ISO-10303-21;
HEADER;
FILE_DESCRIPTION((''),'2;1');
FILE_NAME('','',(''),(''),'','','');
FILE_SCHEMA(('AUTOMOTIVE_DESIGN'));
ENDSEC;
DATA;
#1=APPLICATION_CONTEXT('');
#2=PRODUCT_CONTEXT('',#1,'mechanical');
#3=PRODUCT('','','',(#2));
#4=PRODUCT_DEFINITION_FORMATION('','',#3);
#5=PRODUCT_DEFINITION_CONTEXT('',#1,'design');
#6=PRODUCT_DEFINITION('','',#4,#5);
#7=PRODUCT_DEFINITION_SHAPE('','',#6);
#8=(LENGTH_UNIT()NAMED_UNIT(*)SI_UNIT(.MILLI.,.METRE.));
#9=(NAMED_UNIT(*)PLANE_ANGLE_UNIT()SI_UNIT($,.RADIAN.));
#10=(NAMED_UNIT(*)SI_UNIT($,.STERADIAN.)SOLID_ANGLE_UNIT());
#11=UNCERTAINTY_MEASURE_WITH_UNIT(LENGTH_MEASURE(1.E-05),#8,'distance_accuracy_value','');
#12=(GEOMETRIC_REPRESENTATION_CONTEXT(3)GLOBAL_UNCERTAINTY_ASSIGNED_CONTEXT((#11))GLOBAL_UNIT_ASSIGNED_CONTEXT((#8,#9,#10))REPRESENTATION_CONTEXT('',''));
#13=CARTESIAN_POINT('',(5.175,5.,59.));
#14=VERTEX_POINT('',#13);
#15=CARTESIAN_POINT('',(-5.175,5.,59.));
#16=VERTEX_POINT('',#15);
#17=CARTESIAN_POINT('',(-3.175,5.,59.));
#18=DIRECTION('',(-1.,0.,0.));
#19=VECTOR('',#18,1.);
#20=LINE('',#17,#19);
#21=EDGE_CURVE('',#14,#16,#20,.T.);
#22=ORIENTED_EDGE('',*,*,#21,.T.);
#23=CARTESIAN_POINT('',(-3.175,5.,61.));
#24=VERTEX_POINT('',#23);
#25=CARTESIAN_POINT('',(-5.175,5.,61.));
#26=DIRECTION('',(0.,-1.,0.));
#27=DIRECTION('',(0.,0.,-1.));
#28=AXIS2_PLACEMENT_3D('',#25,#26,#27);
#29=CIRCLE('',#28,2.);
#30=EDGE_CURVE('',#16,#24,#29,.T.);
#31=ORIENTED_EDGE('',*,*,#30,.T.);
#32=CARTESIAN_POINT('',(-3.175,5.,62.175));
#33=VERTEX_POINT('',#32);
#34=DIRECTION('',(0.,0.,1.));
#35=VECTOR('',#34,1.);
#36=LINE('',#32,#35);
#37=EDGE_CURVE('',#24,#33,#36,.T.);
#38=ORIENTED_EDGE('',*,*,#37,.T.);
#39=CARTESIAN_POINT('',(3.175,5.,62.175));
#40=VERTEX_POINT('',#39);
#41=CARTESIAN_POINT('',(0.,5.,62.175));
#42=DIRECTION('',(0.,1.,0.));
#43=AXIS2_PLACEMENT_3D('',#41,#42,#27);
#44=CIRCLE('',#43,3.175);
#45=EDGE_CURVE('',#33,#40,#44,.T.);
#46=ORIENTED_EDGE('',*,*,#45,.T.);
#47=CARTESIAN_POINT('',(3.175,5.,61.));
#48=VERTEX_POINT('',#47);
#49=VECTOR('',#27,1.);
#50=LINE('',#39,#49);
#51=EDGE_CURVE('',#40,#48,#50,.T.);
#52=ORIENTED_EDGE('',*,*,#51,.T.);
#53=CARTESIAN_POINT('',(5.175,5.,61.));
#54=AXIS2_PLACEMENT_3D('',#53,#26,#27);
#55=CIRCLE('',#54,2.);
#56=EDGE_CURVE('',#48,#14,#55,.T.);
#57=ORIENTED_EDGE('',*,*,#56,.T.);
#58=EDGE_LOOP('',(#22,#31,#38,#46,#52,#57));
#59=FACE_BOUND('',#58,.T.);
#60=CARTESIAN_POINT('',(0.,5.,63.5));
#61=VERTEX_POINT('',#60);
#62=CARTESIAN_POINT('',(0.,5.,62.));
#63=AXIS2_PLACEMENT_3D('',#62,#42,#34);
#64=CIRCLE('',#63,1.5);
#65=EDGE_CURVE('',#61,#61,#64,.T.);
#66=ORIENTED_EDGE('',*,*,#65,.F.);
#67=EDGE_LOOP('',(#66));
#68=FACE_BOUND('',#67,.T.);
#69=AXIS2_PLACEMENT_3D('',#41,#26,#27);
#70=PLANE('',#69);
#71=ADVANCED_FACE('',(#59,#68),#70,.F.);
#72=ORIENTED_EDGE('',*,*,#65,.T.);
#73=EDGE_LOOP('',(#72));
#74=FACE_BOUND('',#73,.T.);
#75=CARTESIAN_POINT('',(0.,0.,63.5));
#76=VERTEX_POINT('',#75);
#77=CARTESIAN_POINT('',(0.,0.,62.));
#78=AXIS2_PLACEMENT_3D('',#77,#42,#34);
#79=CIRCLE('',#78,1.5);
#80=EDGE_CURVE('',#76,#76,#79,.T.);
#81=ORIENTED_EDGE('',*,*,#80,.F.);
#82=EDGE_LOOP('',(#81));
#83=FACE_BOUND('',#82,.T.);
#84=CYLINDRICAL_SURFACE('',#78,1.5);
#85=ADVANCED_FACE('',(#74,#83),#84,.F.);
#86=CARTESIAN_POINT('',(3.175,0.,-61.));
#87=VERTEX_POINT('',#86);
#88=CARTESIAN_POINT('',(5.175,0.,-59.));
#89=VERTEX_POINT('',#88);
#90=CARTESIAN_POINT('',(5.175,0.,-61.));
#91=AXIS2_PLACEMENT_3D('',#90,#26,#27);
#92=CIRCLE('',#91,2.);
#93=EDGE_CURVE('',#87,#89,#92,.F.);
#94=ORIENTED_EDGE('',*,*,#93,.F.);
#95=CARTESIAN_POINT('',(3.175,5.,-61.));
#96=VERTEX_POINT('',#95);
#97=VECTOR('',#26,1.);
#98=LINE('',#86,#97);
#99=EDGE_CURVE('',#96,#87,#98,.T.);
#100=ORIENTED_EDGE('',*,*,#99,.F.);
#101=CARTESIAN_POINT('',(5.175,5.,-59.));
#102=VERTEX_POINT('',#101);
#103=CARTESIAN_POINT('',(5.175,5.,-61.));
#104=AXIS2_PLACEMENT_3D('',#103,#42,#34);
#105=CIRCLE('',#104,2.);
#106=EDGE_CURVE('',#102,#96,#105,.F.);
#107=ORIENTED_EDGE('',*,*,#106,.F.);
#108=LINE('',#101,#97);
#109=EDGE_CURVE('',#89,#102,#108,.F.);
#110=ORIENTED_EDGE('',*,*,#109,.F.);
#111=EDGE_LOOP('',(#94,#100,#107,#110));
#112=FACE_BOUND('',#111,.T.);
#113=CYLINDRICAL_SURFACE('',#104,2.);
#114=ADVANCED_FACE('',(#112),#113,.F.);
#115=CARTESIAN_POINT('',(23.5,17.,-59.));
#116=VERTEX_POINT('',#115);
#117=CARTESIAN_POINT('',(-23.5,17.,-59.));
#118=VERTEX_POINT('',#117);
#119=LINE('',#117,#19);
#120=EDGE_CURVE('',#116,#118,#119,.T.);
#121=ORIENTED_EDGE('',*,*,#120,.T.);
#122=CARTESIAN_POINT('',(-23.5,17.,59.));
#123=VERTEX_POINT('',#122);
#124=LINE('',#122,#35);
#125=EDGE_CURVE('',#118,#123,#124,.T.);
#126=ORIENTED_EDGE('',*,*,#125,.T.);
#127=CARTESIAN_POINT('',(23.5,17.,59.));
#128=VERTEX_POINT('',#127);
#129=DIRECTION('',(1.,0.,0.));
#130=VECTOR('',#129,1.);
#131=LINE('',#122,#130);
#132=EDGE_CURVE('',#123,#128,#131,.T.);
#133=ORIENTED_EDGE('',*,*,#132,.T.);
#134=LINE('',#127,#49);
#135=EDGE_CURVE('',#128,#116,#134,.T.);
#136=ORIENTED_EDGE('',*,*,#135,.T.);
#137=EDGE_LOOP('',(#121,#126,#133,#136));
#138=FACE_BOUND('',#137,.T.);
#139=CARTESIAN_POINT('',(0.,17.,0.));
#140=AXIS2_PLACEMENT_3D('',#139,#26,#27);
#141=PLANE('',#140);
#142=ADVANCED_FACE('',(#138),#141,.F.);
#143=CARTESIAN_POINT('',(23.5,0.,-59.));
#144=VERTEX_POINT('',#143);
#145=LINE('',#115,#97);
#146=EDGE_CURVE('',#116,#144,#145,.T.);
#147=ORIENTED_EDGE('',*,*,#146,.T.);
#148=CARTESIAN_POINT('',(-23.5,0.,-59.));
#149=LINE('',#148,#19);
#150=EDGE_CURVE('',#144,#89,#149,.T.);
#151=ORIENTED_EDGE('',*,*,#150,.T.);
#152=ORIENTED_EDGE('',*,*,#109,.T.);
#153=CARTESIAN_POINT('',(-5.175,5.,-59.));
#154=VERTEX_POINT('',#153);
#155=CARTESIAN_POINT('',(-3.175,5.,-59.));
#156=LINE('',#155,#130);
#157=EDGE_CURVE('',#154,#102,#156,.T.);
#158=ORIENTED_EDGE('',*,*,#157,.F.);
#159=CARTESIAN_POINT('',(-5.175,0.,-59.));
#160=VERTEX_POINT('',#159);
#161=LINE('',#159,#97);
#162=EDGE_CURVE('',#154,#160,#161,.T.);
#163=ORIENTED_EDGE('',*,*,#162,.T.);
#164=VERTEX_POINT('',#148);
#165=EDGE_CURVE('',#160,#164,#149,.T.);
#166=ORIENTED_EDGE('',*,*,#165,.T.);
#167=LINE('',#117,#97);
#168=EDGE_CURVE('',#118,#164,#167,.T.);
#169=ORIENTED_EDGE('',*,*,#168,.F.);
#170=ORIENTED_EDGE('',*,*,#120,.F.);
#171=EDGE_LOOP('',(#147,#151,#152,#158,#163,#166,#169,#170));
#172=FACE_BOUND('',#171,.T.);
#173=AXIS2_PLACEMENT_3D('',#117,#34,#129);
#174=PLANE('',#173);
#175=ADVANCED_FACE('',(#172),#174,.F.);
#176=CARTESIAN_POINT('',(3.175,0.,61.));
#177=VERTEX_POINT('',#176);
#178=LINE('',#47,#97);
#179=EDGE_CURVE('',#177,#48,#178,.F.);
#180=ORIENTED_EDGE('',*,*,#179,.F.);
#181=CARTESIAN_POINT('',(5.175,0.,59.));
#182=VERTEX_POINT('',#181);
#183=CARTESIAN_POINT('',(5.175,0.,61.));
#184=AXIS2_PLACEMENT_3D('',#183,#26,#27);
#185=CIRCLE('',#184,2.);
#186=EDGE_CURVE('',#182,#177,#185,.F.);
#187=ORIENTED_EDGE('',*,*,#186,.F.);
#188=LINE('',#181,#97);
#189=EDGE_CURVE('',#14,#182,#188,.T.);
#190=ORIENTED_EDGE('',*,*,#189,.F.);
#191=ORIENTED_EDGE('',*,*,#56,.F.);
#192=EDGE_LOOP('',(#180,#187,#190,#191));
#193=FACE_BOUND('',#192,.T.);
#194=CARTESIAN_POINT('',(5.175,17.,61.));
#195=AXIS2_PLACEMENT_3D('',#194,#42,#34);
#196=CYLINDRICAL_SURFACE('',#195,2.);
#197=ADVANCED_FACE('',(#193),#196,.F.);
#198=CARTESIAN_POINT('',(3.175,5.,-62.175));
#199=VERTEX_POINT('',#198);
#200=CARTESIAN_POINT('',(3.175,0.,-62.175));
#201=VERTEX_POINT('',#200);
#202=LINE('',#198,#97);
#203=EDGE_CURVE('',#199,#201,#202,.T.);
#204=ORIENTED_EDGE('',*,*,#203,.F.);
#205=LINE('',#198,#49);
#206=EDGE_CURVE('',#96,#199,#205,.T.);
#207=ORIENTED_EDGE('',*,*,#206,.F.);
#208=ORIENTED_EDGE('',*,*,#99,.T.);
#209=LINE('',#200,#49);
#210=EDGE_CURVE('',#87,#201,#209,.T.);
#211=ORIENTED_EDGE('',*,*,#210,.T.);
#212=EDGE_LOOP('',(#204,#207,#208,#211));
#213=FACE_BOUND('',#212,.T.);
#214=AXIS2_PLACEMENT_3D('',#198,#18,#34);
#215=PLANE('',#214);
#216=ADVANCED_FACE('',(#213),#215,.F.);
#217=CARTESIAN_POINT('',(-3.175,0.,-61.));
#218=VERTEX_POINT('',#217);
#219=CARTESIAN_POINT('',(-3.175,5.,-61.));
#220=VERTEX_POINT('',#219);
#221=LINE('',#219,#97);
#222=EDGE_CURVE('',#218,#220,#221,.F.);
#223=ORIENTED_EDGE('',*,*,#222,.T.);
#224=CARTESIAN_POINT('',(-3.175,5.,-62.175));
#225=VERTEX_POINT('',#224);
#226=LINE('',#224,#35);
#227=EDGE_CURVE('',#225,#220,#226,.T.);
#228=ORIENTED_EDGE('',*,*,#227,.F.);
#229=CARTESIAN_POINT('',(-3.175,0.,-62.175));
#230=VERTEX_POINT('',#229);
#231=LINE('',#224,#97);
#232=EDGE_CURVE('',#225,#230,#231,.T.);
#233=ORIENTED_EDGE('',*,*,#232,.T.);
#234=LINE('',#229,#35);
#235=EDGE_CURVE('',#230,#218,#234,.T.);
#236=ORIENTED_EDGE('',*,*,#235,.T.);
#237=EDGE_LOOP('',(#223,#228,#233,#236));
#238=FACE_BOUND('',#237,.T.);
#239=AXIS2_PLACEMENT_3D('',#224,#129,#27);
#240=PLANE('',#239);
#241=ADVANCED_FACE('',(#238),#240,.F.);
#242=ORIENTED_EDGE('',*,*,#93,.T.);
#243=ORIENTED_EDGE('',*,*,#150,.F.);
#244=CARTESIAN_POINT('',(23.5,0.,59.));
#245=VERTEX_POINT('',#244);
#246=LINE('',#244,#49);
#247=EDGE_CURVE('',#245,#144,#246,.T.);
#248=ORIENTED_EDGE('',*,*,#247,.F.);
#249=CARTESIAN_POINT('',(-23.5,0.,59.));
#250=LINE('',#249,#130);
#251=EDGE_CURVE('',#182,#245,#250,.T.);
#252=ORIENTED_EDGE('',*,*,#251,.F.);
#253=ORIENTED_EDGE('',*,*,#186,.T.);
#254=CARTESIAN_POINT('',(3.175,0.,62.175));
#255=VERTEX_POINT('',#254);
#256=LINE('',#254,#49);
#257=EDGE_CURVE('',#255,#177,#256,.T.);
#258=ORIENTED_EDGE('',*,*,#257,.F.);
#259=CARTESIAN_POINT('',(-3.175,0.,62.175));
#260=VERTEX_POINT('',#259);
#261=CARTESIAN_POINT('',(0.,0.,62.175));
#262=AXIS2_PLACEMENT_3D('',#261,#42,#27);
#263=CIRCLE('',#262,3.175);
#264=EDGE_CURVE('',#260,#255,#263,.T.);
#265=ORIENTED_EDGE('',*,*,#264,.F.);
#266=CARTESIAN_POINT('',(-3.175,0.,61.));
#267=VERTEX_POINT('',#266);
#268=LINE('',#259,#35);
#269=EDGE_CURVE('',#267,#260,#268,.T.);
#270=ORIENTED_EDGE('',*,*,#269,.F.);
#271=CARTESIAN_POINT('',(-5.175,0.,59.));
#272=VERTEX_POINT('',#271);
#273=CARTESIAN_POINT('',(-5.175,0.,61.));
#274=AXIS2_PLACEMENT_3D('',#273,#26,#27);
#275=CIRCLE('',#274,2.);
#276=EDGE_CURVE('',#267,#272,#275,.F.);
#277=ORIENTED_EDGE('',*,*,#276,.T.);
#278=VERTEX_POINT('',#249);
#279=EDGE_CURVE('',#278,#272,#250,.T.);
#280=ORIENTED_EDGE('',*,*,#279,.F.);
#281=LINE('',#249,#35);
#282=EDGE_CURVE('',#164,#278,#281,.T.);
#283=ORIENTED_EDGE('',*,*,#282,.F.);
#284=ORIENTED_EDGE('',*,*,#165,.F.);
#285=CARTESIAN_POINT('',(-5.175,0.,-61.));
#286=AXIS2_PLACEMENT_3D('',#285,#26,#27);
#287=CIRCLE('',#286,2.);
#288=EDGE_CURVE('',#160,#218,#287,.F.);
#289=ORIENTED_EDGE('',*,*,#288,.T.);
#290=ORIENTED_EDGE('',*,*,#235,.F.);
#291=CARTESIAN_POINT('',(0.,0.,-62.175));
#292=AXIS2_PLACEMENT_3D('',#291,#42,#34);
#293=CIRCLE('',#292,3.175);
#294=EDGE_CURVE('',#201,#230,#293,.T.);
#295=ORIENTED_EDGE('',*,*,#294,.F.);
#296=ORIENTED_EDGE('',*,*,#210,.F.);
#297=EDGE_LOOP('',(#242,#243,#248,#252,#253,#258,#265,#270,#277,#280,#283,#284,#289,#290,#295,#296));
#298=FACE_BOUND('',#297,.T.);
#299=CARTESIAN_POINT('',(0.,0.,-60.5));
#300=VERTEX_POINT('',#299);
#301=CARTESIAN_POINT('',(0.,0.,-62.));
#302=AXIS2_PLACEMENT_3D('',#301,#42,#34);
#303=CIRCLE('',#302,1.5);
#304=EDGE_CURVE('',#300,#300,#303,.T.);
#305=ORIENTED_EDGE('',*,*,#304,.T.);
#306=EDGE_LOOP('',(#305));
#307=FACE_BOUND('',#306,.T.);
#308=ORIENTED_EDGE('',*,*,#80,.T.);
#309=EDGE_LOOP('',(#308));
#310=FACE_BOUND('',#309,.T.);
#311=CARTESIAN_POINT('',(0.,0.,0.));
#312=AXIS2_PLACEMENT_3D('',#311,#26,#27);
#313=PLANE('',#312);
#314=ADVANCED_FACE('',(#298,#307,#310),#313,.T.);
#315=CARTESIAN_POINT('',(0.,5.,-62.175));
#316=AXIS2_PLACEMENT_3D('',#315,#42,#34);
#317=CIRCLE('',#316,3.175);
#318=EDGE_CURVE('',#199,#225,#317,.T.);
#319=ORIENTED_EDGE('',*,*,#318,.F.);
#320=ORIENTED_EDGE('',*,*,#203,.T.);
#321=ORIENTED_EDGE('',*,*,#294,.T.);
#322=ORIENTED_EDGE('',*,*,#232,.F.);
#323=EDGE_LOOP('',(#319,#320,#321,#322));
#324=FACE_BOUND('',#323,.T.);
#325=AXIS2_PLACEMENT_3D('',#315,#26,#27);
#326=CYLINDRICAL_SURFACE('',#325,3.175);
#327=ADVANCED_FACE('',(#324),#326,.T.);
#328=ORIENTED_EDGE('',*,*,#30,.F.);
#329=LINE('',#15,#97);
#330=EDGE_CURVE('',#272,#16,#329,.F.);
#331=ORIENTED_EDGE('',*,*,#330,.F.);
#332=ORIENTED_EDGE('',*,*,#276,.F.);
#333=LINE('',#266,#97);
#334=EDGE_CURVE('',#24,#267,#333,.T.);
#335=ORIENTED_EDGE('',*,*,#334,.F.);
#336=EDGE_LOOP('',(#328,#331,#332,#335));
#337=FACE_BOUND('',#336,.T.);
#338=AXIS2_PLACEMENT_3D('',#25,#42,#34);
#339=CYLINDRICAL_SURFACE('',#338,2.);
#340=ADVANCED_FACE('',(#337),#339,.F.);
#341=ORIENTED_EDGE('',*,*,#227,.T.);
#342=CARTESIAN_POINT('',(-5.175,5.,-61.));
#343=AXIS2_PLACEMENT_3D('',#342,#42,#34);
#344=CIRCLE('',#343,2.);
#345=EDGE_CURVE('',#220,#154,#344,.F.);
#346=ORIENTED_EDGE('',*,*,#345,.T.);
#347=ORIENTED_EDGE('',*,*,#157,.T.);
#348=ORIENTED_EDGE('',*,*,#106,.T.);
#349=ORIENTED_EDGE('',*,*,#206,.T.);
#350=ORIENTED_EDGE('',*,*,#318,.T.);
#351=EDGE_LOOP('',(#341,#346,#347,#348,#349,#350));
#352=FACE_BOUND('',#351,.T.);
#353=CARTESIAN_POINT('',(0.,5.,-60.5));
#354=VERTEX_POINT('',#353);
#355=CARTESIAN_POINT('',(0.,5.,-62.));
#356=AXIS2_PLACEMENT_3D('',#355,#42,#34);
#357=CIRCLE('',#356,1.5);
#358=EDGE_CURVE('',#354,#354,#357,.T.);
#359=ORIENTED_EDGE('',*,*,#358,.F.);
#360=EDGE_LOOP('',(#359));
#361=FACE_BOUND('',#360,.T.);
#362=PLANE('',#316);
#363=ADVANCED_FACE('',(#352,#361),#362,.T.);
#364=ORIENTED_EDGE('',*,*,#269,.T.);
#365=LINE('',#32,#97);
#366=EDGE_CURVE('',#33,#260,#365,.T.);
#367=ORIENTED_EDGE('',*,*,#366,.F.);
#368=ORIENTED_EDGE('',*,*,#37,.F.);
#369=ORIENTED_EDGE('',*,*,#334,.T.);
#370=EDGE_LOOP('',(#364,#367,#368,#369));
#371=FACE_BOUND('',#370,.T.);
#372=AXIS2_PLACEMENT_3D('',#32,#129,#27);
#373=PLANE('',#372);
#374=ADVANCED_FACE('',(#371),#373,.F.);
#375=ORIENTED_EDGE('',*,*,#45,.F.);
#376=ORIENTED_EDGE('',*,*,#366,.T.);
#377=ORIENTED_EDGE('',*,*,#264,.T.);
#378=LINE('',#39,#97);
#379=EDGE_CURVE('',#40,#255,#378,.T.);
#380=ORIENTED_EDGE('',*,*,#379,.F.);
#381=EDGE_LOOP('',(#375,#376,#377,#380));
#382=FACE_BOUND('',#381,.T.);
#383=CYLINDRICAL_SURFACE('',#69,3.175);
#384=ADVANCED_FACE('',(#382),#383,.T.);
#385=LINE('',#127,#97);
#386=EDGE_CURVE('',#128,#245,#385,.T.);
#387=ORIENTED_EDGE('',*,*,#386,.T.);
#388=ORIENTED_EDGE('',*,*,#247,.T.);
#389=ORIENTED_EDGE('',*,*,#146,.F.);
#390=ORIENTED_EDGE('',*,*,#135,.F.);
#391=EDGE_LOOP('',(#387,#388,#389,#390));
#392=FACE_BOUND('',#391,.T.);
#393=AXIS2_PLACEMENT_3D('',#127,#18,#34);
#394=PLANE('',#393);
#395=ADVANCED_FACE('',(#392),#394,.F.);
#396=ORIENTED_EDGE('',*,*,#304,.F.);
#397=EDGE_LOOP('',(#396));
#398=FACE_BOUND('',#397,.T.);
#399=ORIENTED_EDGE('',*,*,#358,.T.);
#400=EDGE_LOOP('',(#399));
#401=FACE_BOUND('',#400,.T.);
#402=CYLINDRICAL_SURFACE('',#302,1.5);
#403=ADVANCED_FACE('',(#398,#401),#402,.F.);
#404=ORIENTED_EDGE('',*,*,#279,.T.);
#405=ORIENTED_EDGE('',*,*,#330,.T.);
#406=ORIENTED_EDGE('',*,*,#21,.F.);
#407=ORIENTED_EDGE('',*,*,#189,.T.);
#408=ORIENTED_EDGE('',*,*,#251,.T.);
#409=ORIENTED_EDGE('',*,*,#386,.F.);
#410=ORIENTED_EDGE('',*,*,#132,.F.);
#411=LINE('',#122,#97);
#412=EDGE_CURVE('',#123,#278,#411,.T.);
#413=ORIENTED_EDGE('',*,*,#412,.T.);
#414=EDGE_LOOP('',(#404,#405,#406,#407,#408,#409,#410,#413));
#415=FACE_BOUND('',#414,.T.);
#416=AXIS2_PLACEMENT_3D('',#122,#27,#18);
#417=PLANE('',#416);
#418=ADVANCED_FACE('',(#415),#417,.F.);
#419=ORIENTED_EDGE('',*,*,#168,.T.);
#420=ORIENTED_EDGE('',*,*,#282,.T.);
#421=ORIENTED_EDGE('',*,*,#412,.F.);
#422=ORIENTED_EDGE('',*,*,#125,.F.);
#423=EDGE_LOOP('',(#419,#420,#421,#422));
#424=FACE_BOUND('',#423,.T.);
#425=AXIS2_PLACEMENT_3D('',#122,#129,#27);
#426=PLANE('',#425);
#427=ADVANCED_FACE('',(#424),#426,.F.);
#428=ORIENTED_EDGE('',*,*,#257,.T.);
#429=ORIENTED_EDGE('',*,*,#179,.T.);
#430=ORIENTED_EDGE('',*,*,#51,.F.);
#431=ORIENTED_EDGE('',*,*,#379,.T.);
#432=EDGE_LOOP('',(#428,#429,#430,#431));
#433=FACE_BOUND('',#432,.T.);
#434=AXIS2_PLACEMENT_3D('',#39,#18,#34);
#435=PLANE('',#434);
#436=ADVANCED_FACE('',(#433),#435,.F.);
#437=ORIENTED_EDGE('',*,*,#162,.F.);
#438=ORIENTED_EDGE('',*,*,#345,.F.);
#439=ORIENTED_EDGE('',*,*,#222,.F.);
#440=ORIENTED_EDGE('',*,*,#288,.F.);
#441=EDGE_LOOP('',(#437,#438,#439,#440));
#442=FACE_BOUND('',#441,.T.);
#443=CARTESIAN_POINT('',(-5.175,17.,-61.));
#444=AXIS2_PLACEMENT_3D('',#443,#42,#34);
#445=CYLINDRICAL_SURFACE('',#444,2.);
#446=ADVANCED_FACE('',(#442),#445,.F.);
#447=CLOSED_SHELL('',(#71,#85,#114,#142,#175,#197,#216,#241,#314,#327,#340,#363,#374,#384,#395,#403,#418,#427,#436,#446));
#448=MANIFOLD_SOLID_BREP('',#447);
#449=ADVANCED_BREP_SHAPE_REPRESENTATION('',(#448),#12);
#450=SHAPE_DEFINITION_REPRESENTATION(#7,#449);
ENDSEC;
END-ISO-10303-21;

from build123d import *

# Parameters (mm, degrees)
SKETCH1_W           = 47
SKETCH1_H           = 118
BOSS_EXTRUDE1_DEPTH = 17
BOSS_EXTRUDE2_DEPTH = 5
SKETCH3_R           = 1.5
CUT_EXTRUDE1_DEPTH  = 6
FILLET2_R           = 2


with BuildPart() as part:
    # Sketch1 → Boss-Extrude1 (new body)
    with BuildSketch(Plane(origin=(0, 0, 0), x_dir=(1, 0, 0), z_dir=(0, 1, 0))):
        Rectangle(SKETCH1_W, SKETCH1_H)
    extrude(amount=BOSS_EXTRUDE1_DEPTH)

    # Sketch2 → Boss-Extrude2 (add)
    with BuildSketch(Plane(origin=(0, 0, 0), x_dir=(1, 0, 0), z_dir=(0, 1, 0))):
        with BuildLine():
            Line((-3.175, 62.175), (-3.175, 59))
            Line((-3.175, 59), (3.175, 59))
            Line((3.175, 59), (3.175, 62.175))
            ThreePointArc((3.175, 62.175), (0, 65.35), (-3.175, 62.175))
        make_face()
        with BuildLine():
            Line((3.175, -62.175), (3.175, -59))
            Line((3.175, -59), (-3.175, -59))
            Line((-3.175, -59), (-3.175, -62.175))
            ThreePointArc((-3.175, -62.175), (0, -65.35), (3.175, -62.175))
        make_face()
    extrude(amount=BOSS_EXTRUDE2_DEPTH)

    # Sketch3 → Cut-Extrude1 (cut, through all)
    with BuildSketch(Plane(origin=(0, 5, 0), x_dir=(1, 0, 0), z_dir=(0, 1, 0))):
        with Locations((0, -62)):
            Circle(SKETCH3_R)
        with Locations((0, 62)):
            Circle(SKETCH3_R)
    extrude(amount=-CUT_EXTRUDE1_DEPTH, mode=Mode.SUBTRACT)

    # Fillet2
    fillet2_edges = [part.edges().sort_by_distance(p)[0] for p in [
        (-3.175, 2.5, -59),
        (3.175, 2.5, -59),
        (3.175, 2.5, 59),
        (-3.175, 2.5, 59),
    ]]
    fillet(fillet2_edges, radius=FILLET2_R)


solid = part.part
